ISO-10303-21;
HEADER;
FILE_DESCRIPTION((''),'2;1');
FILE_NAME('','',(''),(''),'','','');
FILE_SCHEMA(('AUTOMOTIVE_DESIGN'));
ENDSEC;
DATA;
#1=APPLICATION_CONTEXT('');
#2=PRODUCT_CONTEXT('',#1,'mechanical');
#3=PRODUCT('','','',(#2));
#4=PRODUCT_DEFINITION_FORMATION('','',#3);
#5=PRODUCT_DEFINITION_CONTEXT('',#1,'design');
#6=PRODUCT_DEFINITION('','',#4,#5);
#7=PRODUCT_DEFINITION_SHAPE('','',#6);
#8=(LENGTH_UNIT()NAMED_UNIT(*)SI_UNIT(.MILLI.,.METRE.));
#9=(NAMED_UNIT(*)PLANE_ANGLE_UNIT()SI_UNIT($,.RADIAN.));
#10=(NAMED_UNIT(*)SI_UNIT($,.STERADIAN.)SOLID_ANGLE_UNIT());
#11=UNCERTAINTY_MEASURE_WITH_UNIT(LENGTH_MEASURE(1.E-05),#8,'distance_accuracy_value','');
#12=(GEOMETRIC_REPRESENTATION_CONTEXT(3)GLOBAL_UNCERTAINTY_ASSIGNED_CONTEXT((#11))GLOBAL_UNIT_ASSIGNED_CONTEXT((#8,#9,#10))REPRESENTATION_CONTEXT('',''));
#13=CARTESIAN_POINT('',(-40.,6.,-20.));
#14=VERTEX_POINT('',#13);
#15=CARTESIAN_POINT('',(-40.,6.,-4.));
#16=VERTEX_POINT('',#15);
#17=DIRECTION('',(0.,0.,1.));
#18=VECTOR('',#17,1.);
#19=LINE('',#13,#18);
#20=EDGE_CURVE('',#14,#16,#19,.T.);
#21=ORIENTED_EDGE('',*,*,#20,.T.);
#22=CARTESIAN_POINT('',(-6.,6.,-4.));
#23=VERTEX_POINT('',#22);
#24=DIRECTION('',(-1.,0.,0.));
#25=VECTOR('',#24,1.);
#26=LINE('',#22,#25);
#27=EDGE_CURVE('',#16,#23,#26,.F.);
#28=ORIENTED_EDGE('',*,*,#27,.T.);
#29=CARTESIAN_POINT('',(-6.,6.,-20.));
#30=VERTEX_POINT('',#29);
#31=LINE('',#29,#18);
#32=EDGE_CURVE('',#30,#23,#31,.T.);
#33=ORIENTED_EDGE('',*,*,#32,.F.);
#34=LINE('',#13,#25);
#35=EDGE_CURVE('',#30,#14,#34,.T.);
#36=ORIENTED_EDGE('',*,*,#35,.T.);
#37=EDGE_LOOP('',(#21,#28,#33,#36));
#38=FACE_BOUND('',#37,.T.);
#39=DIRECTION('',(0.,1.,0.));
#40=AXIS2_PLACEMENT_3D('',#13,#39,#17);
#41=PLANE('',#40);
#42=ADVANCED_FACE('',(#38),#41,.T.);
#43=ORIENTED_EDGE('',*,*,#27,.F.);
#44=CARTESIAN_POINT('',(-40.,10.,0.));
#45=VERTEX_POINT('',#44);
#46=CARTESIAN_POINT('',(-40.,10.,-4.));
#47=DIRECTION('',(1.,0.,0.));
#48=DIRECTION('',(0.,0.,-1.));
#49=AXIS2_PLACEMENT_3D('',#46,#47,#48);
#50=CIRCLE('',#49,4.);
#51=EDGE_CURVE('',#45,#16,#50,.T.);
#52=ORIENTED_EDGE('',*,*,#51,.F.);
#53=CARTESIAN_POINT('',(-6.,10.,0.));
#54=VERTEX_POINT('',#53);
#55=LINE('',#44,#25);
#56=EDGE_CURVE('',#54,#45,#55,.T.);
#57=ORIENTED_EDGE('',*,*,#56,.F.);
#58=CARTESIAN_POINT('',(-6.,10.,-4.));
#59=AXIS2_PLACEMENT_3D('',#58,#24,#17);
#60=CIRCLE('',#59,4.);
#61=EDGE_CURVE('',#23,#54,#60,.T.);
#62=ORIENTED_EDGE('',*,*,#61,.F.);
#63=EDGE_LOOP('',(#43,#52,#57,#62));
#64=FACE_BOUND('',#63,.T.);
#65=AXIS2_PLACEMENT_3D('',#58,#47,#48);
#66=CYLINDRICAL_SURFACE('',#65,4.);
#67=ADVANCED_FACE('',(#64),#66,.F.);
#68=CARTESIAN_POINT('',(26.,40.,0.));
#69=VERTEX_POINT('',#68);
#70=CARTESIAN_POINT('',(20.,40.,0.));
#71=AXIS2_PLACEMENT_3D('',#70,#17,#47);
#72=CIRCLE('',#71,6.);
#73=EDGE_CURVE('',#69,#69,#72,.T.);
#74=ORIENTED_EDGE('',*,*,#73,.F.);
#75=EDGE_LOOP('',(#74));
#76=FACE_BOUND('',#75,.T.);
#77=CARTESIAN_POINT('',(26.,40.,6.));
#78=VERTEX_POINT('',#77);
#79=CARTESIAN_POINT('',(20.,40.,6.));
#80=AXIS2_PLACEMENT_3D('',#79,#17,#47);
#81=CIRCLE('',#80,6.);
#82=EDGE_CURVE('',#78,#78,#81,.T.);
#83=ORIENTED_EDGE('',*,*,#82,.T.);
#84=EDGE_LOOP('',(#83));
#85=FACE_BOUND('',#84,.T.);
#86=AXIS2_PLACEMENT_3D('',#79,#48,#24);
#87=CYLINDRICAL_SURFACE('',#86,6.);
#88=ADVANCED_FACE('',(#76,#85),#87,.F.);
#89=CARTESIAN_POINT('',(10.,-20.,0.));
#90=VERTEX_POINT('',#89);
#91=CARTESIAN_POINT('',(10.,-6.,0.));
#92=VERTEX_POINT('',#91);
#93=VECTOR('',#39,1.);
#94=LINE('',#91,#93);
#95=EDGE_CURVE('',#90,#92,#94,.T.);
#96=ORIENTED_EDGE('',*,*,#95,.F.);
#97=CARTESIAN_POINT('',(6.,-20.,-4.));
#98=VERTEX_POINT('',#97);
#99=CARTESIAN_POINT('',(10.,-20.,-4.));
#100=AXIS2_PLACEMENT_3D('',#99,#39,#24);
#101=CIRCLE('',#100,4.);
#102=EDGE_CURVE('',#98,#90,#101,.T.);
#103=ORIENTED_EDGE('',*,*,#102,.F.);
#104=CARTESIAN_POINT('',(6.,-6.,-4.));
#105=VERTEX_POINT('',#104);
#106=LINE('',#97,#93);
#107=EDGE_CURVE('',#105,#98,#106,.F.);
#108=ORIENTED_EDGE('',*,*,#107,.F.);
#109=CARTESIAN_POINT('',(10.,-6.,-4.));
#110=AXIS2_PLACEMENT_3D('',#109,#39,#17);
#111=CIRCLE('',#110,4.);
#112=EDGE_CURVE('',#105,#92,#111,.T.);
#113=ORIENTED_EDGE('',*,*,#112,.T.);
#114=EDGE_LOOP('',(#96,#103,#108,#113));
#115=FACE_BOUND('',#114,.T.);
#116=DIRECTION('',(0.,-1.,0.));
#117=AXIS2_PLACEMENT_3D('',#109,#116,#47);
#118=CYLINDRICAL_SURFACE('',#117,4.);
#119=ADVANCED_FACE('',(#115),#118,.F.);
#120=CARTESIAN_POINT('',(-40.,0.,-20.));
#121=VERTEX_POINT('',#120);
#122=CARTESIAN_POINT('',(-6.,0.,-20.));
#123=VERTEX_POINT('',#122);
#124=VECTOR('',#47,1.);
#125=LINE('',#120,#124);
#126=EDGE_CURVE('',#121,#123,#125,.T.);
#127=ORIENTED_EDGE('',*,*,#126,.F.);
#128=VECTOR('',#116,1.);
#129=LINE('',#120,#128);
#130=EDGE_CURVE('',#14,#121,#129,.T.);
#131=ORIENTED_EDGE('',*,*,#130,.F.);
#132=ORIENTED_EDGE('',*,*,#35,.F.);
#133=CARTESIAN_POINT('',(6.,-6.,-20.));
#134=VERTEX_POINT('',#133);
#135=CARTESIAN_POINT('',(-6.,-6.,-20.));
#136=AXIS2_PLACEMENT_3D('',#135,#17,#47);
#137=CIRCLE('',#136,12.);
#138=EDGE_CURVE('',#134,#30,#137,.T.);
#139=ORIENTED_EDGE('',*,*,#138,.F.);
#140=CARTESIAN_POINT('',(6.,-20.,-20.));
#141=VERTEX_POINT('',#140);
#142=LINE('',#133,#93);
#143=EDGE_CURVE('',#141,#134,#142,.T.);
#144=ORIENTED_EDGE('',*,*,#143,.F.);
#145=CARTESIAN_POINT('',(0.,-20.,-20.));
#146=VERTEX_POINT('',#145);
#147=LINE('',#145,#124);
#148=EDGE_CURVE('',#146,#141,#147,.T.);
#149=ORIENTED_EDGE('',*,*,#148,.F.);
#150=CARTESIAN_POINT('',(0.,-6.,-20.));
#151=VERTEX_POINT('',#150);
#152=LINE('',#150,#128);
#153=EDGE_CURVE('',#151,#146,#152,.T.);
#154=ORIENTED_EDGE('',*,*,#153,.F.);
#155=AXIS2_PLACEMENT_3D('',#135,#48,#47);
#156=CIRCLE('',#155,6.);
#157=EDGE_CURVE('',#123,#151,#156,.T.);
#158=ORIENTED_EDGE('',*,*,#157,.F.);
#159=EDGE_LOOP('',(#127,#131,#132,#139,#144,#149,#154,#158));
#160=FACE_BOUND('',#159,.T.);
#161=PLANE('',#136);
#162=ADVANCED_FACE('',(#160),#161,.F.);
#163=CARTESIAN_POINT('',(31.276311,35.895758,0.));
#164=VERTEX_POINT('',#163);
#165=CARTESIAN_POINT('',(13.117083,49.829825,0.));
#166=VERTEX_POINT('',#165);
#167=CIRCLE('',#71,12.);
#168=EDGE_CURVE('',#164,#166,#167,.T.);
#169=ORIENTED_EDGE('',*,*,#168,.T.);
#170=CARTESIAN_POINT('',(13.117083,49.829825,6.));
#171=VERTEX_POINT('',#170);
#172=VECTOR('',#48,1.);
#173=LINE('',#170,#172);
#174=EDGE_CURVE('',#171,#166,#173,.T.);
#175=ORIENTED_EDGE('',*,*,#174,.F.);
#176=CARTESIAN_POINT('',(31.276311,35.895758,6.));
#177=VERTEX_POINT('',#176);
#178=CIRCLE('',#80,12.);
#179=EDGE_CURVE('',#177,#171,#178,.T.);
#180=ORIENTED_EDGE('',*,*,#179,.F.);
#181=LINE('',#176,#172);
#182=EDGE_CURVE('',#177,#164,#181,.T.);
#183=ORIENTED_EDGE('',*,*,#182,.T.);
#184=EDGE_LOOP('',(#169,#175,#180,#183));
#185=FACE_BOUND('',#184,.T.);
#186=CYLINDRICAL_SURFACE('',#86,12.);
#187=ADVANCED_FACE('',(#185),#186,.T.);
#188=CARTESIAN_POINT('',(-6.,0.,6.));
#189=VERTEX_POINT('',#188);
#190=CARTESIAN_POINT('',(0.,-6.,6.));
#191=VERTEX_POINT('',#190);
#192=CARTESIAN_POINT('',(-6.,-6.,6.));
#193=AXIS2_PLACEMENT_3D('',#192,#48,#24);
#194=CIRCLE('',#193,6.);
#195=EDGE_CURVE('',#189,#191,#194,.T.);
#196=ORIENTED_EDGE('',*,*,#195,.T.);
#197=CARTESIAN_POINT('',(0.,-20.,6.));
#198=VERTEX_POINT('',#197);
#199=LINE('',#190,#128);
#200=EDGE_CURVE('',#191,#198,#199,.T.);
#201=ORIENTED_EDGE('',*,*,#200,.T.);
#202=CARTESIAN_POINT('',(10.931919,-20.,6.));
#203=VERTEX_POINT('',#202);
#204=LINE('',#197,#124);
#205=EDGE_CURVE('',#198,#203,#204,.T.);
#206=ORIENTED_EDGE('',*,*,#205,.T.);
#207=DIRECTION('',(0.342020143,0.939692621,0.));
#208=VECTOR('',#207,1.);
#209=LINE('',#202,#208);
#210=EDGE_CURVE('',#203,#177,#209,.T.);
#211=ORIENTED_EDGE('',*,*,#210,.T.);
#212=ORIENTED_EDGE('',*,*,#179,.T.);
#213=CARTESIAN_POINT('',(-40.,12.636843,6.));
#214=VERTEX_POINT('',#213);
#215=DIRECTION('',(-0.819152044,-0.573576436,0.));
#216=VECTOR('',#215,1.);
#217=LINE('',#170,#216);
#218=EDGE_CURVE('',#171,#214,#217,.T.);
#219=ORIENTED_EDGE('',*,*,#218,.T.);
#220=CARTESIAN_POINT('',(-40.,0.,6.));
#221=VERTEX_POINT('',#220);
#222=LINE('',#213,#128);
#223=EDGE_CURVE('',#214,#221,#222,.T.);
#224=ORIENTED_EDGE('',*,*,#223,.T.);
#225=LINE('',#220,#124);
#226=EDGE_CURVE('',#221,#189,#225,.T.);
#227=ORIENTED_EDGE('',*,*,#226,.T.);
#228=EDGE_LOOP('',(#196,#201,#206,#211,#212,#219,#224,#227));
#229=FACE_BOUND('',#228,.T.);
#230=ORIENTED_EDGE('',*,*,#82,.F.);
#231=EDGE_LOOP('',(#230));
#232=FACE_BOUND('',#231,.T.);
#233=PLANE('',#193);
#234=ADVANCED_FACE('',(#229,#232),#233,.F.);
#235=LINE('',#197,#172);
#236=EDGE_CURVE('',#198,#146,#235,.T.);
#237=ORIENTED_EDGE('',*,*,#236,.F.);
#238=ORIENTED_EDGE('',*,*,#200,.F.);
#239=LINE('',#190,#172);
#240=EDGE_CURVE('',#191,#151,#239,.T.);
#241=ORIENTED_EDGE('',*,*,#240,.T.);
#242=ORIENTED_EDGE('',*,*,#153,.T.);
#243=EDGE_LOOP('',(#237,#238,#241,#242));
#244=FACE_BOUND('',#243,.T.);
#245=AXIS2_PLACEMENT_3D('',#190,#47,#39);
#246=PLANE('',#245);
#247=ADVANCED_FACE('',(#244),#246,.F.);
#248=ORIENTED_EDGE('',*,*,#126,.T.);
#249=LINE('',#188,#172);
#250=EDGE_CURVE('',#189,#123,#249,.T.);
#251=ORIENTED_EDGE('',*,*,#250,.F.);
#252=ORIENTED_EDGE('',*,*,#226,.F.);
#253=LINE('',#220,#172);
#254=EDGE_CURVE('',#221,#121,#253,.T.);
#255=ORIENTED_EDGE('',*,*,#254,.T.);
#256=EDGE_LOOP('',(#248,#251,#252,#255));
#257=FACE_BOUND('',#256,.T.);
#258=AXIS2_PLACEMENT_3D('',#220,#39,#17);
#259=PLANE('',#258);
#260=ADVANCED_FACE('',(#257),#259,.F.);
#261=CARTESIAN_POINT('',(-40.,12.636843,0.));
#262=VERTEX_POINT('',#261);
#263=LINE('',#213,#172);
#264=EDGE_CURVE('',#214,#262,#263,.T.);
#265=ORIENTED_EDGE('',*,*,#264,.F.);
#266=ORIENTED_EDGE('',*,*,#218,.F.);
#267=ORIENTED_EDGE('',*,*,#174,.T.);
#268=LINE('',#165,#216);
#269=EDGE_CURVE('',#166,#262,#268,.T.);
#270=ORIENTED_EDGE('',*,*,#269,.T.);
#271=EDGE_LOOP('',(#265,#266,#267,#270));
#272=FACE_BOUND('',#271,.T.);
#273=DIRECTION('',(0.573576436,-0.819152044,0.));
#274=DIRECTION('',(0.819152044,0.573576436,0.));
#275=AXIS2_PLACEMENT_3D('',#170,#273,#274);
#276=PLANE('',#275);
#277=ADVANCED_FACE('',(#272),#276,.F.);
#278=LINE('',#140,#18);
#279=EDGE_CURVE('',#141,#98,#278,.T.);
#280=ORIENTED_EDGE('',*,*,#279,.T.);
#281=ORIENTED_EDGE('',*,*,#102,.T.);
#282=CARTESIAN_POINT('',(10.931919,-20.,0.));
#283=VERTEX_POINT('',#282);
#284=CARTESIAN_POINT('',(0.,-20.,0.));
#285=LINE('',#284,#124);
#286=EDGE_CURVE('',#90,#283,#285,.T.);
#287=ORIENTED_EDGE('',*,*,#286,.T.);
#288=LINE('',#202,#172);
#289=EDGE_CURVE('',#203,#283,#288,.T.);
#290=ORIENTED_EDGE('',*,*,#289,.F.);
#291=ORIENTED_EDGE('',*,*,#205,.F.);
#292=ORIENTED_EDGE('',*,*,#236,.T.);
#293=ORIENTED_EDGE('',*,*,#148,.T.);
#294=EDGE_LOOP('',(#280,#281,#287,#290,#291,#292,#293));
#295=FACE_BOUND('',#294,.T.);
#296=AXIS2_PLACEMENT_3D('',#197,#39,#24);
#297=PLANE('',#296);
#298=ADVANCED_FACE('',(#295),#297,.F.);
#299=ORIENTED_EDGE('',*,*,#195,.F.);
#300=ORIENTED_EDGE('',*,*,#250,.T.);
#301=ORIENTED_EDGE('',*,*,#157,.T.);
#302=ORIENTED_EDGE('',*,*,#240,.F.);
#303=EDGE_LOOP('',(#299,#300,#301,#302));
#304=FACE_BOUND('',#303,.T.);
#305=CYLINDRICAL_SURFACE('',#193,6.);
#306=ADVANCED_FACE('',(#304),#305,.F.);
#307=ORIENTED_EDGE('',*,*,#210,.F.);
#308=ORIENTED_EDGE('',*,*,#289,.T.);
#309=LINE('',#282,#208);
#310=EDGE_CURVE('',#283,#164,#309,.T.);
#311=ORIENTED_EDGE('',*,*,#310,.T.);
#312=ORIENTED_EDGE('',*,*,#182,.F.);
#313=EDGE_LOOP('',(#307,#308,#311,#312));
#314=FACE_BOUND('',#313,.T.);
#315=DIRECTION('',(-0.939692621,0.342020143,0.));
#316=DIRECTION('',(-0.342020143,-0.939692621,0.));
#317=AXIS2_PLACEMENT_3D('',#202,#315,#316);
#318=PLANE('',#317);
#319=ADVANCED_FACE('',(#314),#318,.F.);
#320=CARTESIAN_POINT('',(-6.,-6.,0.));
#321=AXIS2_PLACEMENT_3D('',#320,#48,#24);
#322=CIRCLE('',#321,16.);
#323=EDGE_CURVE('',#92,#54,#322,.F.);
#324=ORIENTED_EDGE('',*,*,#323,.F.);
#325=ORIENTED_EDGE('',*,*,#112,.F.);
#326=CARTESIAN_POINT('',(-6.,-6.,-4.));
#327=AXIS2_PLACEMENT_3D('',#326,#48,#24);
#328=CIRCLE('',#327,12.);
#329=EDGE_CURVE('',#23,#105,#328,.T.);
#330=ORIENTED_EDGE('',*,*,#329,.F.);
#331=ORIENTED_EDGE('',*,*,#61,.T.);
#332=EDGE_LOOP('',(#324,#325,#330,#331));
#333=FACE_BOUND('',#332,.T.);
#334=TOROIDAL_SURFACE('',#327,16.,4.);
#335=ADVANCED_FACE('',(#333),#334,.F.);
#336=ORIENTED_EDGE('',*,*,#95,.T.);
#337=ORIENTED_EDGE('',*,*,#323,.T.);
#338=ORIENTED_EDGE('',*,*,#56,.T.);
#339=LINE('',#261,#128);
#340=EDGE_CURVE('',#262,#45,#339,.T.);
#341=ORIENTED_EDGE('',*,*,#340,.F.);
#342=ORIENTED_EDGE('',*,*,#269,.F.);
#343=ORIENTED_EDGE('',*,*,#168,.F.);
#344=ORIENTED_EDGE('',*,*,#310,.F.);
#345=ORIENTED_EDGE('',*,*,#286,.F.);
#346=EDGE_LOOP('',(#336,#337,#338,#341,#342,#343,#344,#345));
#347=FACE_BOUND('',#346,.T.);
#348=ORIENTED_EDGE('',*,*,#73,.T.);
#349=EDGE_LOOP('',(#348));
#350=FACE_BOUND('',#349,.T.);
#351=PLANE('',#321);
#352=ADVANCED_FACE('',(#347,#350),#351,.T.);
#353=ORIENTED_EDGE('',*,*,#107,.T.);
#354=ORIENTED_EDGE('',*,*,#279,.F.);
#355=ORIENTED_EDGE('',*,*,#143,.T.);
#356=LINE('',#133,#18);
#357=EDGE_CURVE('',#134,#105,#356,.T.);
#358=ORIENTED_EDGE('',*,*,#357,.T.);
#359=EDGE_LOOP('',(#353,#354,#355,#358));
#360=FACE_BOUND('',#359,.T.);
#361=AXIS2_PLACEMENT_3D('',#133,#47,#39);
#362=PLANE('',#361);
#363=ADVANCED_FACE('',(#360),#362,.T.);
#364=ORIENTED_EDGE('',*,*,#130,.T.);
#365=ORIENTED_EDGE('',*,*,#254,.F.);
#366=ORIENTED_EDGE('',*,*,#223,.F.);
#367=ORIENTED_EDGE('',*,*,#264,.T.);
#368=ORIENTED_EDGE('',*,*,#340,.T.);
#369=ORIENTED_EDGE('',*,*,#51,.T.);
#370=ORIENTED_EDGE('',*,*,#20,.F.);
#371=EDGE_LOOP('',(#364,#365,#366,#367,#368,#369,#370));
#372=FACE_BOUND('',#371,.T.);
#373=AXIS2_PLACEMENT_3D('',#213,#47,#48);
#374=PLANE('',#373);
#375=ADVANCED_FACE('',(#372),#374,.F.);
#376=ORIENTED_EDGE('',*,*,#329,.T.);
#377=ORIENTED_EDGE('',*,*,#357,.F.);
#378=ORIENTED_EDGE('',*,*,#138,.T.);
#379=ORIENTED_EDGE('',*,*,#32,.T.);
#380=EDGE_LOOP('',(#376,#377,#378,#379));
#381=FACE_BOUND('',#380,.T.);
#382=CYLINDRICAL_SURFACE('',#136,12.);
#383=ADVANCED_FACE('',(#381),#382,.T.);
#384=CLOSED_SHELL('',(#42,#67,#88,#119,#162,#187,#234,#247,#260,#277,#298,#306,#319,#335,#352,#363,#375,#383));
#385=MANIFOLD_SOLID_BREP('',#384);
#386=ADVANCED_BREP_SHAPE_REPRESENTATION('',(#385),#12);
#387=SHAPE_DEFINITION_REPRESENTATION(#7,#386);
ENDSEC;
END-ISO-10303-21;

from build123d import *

# Parameters (mm, degrees)
SKETCH_1_R      = 6
EXTRUDE_1_DEPTH = 6
EXTRUDE_START   = -20
EXTRUDE_2_DEPTH = 20
FILLET_1_R      = 4


with BuildPart() as part:
    # Эскиз1 → Бобышка-Вытянуть1 (new body)
    with BuildSketch(Plane.XY):
        with BuildLine():
            Line((-40, 0), (-6, 0))
            ThreePointArc((-6, 0), (-1.757359313, -1.757359313), (0, -6))
            Line((0, -6), (0, -20))
            Line((0, -20), (10.931919214, -20))
            Line((10.931919214, -20), (31.276311449, 35.89575828))
            ThreePointArc((31.276311449, 35.89575828), (27.305137148, 49.520240083), (13.117082764, 49.829824531))
            Line((13.117082764, 49.829824531), (-40, 12.636842773))
            Line((-40, 12.636842773), (-40, 0))
        make_face()
        with Locations((20, 40)):
            Circle(SKETCH_1_R, mode=Mode.SUBTRACT)
    extrude(amount=EXTRUDE_1_DEPTH)

    # Эскиз2 → Бобышка-Вытянуть2 (add)
    with BuildSketch(Plane.XY.offset(EXTRUDE_START)):
        with BuildLine():
            Line((-40, 0), (-6, 0))
            ThreePointArc((-6, 0), (-1.757359313, -1.757359313), (0, -6))
            Line((0, -6), (0, -20))
            Line((0, -20), (6, -20))
            Line((6, -20), (6, -6))
            ThreePointArc((6, -6), (2.485281374, 2.485281374), (-6, 6))
            Line((-6, 6), (-40, 6))
            Line((-40, 6), (-40, 0))
        make_face()
    extrude(amount=EXTRUDE_2_DEPTH)

    # Скругление1
    fillet_1_edges = [part.edges().sort_by_distance(p)[0] for p in [
        (6, -13, 0),
        (2.485281374, 2.485281374, 0),
        (-23, 6, 0),
    ]]
    fillet(fillet_1_edges, radius=FILLET_1_R)


solid = part.part
